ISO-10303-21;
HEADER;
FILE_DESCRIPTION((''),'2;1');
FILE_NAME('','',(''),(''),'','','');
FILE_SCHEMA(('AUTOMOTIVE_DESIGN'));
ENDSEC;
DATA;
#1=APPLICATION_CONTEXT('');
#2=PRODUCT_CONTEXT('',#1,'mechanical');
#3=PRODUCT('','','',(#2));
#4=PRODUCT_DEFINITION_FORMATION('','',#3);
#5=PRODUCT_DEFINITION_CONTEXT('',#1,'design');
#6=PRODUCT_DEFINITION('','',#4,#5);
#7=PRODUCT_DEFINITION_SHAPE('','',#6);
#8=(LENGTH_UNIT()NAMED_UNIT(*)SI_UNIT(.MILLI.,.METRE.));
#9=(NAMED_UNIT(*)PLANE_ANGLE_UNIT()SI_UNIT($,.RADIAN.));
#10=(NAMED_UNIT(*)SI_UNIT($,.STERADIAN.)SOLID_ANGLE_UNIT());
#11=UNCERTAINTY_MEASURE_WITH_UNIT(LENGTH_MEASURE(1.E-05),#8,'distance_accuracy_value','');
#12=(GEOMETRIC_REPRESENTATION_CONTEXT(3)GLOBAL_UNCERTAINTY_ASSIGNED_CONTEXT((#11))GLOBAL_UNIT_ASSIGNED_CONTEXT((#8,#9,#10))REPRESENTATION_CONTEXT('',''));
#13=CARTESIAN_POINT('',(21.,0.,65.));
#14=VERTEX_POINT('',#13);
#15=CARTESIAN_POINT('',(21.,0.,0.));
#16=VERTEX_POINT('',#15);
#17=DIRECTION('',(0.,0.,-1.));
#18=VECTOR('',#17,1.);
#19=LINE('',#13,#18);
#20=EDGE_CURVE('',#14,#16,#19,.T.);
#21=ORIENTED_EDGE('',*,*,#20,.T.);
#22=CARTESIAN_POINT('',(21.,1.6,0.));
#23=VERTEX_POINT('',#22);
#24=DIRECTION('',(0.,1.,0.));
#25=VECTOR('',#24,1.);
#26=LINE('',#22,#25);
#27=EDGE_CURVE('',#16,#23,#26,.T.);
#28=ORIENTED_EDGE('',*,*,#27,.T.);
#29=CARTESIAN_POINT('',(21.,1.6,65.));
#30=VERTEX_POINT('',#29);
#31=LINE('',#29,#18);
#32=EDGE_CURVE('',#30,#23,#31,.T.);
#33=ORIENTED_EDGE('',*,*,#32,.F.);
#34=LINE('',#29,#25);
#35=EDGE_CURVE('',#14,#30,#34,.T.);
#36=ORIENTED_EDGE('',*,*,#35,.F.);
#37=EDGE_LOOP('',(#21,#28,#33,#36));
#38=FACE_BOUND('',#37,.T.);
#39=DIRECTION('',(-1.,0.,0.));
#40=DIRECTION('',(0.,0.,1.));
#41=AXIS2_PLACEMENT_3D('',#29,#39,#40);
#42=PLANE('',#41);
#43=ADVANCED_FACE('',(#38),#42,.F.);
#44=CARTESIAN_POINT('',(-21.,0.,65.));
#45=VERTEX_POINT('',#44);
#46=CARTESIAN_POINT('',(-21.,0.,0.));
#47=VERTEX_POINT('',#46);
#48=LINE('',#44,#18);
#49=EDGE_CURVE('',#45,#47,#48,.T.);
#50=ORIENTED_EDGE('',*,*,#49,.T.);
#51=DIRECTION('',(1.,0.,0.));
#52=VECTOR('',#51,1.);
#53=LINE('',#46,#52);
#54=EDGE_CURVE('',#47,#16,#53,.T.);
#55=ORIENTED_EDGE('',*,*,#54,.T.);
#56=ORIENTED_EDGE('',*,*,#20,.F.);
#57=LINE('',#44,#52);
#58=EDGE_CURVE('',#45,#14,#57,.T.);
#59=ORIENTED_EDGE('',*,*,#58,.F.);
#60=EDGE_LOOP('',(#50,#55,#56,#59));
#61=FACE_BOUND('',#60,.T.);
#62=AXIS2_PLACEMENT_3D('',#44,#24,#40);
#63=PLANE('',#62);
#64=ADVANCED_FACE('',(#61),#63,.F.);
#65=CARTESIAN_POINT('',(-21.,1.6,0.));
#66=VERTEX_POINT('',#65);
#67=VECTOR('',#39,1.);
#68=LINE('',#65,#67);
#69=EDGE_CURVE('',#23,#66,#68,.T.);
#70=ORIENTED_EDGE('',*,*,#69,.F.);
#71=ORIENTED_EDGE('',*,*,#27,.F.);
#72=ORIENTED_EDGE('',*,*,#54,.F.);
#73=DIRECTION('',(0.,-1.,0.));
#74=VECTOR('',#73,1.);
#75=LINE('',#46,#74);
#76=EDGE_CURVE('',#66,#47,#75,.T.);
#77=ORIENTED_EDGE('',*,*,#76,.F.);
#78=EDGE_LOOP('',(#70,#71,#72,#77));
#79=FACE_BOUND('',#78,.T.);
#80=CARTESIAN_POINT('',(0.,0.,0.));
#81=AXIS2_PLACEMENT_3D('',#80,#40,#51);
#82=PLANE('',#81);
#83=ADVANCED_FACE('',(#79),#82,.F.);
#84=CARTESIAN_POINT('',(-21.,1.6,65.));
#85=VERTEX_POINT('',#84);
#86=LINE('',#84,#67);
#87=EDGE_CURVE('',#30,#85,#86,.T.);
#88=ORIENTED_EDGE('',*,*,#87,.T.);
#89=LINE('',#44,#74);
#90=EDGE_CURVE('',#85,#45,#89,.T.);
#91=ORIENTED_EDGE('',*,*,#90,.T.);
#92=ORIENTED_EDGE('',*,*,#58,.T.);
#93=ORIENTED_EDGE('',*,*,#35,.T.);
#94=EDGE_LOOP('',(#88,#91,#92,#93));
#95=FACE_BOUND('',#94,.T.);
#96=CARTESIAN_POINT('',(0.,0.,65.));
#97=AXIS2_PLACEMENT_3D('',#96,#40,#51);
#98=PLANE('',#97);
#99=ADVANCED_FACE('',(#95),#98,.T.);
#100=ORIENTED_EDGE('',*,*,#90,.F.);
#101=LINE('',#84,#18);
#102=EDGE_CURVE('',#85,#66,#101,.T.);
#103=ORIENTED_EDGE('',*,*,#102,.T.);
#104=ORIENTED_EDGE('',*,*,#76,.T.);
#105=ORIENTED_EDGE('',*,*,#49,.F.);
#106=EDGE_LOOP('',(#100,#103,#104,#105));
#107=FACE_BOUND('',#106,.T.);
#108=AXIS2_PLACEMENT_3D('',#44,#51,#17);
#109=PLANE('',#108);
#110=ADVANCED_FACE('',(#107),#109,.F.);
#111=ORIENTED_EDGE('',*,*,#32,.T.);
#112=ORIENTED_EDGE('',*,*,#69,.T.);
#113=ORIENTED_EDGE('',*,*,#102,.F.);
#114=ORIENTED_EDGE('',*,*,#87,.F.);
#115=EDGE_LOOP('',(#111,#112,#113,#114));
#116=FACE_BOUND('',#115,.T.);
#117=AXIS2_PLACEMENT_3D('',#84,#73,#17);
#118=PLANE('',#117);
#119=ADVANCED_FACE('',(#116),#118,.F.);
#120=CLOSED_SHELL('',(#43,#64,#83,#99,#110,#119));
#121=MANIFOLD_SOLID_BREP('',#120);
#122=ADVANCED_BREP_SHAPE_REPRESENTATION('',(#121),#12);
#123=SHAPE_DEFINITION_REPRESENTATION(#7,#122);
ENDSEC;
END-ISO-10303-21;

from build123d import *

# Parameters (mm, degrees)
SKETCH1_W           = 42
SKETCH1_H           = 1.6
BOSS_EXTRUDE1_DEPTH = 65


with BuildPart() as part:
    # Sketch1 → Boss-Extrude1 (new body)
    with BuildSketch(Plane.XY):
        with Locations((0, 0.8)):
            Rectangle(SKETCH1_W, SKETCH1_H)
    extrude(amount=BOSS_EXTRUDE1_DEPTH)


solid = part.part
